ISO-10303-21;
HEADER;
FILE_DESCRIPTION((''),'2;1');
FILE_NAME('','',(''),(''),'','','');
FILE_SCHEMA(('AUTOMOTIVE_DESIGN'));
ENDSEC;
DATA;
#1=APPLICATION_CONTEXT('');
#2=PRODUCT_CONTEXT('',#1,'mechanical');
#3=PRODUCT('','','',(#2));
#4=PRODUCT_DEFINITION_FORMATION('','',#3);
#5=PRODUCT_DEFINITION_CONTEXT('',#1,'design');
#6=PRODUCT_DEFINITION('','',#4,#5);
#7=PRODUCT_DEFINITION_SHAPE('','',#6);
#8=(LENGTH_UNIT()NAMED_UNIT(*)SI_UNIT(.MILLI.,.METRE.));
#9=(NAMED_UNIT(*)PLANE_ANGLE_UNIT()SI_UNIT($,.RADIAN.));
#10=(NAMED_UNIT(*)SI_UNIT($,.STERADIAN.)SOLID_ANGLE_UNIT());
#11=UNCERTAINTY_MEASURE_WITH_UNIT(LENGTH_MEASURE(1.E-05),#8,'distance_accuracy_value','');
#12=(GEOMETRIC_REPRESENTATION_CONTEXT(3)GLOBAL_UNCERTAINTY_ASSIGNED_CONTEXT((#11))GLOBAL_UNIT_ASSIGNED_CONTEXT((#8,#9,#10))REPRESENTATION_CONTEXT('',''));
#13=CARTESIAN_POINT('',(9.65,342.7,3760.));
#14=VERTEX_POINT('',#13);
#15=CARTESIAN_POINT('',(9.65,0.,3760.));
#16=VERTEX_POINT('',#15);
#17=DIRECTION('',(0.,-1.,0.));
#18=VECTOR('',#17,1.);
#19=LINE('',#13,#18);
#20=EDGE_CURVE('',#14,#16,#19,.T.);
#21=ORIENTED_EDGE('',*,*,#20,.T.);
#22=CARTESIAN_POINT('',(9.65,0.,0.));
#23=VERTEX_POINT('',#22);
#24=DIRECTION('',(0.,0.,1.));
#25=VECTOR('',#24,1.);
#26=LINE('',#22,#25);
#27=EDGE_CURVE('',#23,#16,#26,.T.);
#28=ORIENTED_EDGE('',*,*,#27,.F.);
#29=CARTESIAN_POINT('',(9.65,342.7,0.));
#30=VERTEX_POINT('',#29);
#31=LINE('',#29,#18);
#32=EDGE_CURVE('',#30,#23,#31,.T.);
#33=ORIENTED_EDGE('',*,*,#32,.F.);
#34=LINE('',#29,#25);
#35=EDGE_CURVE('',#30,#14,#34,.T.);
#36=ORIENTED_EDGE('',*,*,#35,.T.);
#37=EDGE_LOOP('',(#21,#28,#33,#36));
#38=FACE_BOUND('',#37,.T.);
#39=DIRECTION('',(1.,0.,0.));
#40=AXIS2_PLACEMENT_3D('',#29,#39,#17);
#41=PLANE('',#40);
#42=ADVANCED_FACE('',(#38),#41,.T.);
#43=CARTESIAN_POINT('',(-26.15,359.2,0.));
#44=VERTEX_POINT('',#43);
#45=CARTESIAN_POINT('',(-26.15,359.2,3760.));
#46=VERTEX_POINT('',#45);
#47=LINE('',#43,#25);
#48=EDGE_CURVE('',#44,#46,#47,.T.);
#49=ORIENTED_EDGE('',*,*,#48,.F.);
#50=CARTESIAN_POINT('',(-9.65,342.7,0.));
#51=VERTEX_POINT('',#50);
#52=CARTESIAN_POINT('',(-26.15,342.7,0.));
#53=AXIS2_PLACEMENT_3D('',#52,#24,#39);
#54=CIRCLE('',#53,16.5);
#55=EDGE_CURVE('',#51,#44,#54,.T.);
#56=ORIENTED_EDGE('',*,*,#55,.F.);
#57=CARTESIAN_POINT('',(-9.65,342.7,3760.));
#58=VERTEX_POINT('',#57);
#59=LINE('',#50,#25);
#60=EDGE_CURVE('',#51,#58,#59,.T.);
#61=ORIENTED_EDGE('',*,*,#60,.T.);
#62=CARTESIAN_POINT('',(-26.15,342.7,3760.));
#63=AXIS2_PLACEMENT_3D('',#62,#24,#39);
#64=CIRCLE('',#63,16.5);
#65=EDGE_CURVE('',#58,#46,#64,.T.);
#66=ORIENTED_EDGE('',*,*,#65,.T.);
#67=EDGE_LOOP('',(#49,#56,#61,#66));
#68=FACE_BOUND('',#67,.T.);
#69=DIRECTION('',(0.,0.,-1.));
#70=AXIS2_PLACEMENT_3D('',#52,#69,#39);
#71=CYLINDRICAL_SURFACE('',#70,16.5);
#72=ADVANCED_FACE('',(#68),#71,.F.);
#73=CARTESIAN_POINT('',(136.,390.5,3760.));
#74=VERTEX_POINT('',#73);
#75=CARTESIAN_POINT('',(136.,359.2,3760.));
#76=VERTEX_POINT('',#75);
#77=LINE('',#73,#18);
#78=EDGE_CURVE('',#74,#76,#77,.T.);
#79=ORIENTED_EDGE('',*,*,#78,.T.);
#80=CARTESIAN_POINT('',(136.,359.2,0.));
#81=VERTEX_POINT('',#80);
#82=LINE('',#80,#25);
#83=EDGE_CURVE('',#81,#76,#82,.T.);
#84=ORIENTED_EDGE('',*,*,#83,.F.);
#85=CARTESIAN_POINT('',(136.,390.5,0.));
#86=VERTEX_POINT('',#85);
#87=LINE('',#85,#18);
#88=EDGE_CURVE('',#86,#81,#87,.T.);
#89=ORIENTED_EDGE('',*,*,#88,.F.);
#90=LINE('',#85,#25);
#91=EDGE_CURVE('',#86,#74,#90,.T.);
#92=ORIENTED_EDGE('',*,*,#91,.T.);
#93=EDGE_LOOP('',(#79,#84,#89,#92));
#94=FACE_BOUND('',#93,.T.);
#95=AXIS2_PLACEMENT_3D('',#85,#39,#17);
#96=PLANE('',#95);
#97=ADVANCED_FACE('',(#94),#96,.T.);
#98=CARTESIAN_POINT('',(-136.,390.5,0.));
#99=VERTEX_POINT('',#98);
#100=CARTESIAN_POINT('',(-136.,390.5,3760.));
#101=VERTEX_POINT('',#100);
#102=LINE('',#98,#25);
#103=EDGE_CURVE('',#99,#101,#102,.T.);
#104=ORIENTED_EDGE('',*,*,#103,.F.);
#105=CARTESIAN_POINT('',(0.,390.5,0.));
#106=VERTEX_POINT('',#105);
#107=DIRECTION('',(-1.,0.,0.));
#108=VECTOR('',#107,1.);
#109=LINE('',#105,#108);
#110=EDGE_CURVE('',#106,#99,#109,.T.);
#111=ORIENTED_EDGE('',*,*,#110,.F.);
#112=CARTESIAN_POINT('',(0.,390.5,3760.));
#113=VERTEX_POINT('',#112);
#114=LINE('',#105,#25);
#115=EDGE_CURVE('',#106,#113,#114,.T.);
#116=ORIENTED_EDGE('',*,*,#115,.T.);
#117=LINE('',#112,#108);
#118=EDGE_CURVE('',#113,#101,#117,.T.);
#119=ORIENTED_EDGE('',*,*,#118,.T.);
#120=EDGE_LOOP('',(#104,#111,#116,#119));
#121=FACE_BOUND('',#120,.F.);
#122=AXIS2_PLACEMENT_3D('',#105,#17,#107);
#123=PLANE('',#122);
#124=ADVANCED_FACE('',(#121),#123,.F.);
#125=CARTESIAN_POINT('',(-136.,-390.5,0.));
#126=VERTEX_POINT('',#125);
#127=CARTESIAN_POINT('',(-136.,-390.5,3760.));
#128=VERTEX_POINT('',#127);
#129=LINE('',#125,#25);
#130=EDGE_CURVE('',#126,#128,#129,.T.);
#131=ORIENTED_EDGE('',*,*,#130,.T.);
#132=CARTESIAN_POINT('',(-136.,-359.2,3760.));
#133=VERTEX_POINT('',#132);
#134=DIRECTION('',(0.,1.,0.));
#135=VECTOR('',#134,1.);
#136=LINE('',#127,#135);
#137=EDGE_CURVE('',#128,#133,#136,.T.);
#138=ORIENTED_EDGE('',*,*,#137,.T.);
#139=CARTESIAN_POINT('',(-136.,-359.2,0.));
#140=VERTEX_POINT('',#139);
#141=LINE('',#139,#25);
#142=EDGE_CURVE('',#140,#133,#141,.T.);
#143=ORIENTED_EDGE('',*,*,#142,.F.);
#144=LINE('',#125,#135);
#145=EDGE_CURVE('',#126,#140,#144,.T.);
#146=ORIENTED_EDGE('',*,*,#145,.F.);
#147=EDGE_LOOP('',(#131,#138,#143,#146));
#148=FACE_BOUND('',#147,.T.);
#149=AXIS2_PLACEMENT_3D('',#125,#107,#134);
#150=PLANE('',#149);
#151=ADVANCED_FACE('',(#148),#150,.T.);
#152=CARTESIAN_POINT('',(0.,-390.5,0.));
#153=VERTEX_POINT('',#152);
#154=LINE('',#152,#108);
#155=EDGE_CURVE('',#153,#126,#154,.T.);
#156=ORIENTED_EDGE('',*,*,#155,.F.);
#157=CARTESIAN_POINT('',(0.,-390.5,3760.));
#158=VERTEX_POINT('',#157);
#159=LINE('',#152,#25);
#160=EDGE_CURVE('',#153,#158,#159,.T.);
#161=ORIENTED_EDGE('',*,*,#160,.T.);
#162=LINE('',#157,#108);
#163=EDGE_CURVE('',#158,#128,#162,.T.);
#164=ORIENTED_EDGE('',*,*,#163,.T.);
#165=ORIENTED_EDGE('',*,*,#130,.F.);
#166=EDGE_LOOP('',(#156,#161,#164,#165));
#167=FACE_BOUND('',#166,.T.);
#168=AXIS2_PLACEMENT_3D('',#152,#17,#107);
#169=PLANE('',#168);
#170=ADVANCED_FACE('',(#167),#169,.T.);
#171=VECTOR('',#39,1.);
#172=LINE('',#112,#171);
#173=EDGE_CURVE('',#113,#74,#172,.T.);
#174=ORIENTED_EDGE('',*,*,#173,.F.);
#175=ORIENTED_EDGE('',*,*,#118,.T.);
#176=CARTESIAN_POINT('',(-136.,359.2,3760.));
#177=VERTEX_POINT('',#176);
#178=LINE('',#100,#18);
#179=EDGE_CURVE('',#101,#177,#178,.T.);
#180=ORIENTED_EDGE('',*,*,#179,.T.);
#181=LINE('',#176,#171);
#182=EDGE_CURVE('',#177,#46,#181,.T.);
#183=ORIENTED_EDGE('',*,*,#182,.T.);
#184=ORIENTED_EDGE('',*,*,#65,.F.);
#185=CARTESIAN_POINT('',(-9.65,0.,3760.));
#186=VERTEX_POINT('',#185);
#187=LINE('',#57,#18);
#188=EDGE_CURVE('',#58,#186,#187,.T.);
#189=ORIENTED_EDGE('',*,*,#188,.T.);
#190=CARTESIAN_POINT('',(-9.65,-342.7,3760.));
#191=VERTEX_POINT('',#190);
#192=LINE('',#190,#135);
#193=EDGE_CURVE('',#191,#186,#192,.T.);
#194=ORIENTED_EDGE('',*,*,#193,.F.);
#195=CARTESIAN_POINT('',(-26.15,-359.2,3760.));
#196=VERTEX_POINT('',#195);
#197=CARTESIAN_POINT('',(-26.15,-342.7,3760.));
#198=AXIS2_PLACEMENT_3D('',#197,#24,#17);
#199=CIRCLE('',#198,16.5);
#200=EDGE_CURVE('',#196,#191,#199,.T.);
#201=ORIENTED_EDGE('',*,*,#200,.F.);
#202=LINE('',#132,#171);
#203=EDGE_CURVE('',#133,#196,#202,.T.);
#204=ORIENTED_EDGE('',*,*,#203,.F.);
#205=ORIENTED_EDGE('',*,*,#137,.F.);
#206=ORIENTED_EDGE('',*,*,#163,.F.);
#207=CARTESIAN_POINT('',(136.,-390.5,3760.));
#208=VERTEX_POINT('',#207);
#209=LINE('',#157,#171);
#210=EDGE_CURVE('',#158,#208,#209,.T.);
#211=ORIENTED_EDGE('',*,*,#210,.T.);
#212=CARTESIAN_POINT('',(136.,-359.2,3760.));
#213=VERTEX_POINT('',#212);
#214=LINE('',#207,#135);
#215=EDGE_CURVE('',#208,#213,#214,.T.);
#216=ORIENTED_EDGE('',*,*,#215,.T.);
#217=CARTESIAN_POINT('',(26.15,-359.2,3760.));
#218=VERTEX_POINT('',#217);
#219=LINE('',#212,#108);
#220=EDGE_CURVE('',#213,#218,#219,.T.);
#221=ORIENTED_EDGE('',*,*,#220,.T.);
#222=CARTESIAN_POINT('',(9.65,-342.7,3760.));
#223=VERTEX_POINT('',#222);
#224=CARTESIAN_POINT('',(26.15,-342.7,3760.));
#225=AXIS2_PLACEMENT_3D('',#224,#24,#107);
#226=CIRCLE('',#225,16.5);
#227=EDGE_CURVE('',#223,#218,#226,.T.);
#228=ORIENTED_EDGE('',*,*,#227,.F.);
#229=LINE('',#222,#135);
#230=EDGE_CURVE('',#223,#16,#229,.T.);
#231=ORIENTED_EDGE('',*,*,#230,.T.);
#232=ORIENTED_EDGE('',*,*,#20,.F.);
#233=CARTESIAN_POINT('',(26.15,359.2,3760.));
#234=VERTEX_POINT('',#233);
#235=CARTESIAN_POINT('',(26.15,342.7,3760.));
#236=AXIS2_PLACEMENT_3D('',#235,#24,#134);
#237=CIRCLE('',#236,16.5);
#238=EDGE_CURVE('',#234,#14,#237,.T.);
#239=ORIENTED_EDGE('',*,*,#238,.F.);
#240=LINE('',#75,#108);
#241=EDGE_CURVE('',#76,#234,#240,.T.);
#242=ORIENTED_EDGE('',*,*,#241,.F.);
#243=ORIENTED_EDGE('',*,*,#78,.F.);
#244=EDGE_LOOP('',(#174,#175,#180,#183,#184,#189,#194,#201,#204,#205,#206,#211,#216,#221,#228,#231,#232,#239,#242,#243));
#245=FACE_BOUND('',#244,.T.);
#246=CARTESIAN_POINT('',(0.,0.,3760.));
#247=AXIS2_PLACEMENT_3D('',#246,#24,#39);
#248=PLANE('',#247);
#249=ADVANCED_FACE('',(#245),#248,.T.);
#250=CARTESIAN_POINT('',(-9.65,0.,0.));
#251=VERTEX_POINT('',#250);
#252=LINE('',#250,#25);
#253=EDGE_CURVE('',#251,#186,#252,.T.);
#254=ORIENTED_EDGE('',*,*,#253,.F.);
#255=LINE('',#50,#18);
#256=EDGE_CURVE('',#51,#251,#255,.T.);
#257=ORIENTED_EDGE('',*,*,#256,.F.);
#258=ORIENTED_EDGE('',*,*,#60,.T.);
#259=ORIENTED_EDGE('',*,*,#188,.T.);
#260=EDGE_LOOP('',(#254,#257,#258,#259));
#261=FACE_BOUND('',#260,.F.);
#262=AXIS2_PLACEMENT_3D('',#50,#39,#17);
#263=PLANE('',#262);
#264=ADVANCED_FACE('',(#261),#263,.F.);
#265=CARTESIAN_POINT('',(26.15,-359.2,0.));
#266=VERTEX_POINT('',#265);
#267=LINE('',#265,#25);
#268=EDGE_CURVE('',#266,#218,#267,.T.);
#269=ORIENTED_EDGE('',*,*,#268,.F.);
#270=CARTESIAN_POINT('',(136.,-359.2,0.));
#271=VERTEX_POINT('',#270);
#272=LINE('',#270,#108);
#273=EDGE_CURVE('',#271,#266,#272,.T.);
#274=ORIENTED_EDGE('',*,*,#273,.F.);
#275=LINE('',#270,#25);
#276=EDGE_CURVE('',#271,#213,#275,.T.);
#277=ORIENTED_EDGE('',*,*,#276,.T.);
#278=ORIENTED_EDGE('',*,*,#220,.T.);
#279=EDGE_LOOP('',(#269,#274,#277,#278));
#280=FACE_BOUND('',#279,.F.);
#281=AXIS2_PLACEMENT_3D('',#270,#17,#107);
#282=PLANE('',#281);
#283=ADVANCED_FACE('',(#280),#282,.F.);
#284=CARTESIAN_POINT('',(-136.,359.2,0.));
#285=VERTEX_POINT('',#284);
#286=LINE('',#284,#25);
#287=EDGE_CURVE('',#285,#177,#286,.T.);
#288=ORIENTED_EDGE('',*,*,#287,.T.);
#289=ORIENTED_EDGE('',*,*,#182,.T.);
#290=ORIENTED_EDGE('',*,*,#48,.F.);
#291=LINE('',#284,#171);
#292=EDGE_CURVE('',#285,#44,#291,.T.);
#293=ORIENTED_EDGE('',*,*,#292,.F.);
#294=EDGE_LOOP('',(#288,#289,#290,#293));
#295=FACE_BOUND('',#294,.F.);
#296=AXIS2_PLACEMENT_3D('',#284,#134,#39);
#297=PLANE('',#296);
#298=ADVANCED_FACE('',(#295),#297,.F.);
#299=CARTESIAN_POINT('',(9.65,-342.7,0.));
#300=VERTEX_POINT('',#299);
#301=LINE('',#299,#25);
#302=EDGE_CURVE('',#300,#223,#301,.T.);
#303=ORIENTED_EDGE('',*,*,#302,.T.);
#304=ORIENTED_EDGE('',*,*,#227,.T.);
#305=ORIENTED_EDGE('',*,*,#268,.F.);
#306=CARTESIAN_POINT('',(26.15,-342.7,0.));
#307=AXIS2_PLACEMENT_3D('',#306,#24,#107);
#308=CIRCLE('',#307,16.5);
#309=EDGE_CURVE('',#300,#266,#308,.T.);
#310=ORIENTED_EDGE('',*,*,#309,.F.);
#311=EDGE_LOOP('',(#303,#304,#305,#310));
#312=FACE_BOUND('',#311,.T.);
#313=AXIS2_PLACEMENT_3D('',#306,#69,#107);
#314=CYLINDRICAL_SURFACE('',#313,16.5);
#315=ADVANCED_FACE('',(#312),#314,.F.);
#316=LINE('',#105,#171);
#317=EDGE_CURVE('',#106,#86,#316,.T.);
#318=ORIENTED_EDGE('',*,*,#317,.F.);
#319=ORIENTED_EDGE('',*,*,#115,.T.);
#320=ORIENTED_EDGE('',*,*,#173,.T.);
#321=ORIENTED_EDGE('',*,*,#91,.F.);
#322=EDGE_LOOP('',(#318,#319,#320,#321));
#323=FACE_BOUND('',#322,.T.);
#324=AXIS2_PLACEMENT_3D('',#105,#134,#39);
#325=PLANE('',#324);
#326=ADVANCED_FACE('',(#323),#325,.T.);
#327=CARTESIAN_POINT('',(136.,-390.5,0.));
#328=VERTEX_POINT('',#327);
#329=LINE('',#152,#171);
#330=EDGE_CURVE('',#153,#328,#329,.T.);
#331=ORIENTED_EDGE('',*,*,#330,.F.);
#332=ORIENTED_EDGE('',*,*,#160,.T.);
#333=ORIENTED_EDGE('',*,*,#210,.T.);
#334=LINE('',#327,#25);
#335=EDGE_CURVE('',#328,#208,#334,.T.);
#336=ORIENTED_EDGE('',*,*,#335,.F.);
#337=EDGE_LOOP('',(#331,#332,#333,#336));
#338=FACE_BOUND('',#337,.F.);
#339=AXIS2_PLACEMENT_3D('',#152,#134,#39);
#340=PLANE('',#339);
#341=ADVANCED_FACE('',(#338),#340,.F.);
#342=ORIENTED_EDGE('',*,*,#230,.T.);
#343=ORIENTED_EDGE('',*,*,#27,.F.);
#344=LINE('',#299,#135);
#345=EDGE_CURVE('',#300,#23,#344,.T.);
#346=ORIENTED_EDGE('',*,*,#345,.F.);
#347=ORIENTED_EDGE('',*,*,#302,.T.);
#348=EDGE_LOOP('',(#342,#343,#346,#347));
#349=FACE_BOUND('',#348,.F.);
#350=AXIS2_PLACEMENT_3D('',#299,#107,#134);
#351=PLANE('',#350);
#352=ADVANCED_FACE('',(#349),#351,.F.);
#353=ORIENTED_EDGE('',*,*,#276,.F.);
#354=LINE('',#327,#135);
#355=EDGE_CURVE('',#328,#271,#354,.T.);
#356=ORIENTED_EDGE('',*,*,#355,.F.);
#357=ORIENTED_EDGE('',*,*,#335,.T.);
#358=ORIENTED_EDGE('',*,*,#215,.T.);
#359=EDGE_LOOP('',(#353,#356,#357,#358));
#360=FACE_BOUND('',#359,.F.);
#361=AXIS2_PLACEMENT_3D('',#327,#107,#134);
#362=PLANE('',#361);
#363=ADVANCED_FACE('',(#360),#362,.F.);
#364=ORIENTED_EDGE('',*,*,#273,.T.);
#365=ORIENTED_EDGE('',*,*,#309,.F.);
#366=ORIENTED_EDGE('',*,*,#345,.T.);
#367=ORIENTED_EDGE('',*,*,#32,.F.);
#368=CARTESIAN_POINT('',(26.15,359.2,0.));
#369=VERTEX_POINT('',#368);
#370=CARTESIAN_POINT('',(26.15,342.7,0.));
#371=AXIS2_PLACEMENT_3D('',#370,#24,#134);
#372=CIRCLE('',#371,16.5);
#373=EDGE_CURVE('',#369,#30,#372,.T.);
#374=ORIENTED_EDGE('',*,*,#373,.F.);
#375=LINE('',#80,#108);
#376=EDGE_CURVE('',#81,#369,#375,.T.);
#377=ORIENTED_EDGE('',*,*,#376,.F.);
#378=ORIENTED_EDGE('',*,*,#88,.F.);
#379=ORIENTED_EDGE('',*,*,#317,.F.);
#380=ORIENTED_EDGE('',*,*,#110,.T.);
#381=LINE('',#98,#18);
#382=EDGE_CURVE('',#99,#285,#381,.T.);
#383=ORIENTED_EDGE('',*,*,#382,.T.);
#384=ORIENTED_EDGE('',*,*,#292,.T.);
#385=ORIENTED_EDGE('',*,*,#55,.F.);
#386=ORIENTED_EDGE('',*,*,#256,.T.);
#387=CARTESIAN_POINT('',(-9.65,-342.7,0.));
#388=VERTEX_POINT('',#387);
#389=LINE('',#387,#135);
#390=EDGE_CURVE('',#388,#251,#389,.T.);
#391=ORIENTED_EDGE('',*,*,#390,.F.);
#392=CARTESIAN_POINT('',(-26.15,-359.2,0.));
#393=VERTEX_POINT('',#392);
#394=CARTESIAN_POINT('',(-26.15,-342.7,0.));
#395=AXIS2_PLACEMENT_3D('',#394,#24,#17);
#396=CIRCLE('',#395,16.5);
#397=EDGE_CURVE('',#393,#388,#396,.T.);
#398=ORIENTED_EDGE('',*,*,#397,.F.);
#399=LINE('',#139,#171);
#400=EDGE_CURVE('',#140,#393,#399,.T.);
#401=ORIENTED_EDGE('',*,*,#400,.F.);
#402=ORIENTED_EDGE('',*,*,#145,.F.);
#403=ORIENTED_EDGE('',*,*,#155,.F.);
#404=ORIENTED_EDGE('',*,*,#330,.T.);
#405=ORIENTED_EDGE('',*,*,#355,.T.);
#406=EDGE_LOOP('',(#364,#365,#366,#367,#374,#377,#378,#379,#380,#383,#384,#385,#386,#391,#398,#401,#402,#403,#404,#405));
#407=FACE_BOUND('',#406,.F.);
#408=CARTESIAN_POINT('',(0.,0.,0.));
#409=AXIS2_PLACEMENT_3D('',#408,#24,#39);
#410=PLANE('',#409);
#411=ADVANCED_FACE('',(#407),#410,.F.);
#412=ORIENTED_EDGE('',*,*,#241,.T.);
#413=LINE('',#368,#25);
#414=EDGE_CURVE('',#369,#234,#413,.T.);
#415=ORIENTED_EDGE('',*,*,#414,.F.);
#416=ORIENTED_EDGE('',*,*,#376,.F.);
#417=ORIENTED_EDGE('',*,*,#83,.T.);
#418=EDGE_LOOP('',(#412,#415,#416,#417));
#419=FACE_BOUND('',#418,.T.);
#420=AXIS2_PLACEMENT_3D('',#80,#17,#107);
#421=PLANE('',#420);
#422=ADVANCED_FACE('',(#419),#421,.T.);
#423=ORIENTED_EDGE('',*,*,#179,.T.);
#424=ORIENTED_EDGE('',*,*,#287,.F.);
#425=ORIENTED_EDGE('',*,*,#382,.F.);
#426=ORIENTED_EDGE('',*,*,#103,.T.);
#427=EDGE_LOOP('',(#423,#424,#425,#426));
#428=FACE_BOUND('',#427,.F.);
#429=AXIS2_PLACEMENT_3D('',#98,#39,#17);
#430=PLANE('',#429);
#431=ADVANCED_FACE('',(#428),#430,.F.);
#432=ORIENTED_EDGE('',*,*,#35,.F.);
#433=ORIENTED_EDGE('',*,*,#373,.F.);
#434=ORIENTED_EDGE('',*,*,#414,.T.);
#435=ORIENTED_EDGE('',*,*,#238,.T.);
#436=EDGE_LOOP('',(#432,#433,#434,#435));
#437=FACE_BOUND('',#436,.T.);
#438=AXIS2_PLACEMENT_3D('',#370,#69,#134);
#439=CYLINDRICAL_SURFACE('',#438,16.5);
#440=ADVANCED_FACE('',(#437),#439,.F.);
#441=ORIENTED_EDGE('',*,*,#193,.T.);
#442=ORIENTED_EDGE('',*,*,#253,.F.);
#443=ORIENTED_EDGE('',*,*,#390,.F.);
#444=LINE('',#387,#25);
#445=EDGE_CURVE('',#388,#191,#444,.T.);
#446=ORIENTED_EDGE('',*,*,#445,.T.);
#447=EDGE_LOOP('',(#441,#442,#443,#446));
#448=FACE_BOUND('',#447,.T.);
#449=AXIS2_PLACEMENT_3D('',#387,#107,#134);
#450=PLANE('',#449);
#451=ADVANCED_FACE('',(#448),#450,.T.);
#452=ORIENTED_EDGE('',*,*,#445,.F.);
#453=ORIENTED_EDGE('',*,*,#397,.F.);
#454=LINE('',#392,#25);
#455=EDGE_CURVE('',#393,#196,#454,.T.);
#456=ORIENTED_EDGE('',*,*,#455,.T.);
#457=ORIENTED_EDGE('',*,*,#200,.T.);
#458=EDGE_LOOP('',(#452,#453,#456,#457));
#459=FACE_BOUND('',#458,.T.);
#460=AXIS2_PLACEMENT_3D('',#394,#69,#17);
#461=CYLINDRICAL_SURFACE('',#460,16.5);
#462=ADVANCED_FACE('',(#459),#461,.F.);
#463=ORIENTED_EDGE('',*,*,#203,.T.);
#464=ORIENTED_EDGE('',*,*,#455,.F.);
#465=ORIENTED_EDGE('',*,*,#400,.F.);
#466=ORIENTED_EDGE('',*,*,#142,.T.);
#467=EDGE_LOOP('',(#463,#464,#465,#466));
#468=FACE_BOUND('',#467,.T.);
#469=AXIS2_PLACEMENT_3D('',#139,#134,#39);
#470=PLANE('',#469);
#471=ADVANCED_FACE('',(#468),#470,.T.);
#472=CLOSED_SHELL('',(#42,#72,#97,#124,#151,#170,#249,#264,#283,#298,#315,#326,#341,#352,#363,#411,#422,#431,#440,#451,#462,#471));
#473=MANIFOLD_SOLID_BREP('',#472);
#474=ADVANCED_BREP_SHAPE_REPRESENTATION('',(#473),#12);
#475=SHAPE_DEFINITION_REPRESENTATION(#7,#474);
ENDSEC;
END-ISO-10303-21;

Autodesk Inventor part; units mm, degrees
ref_plane "YZ Plane" through (0, 0, 0) normal (1, 0, 0) x (0, 1, 0)
ref_plane "Start plane" through (0, 0, 0) normal (0, 0, 1) x (1, 0, 0)
ref_plane "End plane" through (0, 0, 3760) normal (0, 0, 1) x (1, 0, 0)
sketch "Sketch" plane through (0, 0, 0) normal (0, 0, 1) x (1, 0, 0)
  line L0 (-136, -390.5) -> (-136, -359.2)
  line L1 (-136, -359.2) -> (-26.15, -359.2)
  line L2 (-9.65, -342.7) -> (-9.65, 0)
  line L3 (-9.65, 0) -> (0, 0) construction
  line L4 (0, 0) -> (0, -390.5) construction
  line L5 (0, -390.5) -> (-136, -390.5)
  line L6 (-60, 0) -> (80, 0) construction
  line L7 (0, -60) -> (0, 80) construction
  line L8 (136, -390.5) -> (136, -359.2)
  line L9 (136, -359.2) -> (26.15, -359.2)
  line L10 (9.65, -342.7) -> (9.65, 0)
  line L11 (9.65, 0) -> (0, 0) construction
  line L12 (0, -390.5) -> (136, -390.5)
  line L13 (-136, 390.5) -> (-136, 359.2)
  line L14 (-136, 359.2) -> (-26.15, 359.2)
  line L15 (-9.65, 342.7) -> (-9.65, 0)
  line L16 (0, 390.5) -> (-136, 390.5)
  line L17 (136, 390.5) -> (136, 359.2)
  line L18 (136, 359.2) -> (26.15, 359.2)
  line L19 (0, 390.5) -> (136, 390.5)
  line L20 (9.65, 342.7) -> (9.65, 0)
  arc A0 (-9.65, 342.7) -> (-26.15, 359.2) centre (-26.15, 342.7) ccw
  arc A1 (26.15, 359.2) -> (9.65, 342.7) centre (26.15, 342.7) ccw
  arc A2 (9.65, -342.7) -> (26.15, -359.2) centre (26.15, -342.7) ccw
  arc A3 (-26.15, -359.2) -> (-9.65, -342.7) centre (-26.15, -342.7) ccw
  line L21 (0, 108) -> (0, -88) construction
  line L22 (-88, 0) -> (108, 0) construction
  point P0 (-9.65, -359.2)
  point P1 (9.65, -359.2)
  point P2 (-9.65, 359.2)
  point P3 (9.65, 359.2)
  dimension "d1" = 390.5
  dimension "d2" = 31.3
  dimension "d3" = 136
  dimension "d4" = 9.65
  dimension "d10" = 16.5
extrude "Body" add sketch "Sketch" along normal up to surface (3760 mm away) from surface at 0
sketch "Sketch4" plane through (0, 0, 0) normal (0, 0, 1) x (1, 0, 0)
  line L0 (0, 0) -> (10, 0)
ref_plane "Work Plane3" through (0, 0, 0) normal (0, -1, 0) x (1, 0, 0)
sketch "Sketch5" plane through (0, 0, 0) normal (0, -1, 0) x (1, 0, 0)
  line L0 (-2, 0) -> (12, 0) projected
  line L1 (-2, 3760) -> (12, 3760) projected
  dimension "d14" = 3760
equation "\"d1\" = 0.5 * G_H"
equation "\"d2\" = G_T1"
equation "\"d3\" = 0.5 * G_W"
equation "\"d4\" = 0.5 * G_T"
equation "\"d10\" = G_IR"
equation "\"d5\" = G_L"
equation "\"G_W\" = 272"
equation "\"G_H\" = 781"
equation "\"G_T\" = 19.3"
equation "\"G_T1\" = 31.3"
equation "\"G_IR\" = 16.5"
equation "\"G_L\" = d14"
equation "\"G_OFFSET_START\" = 0"
equation "\"G_OFFSET_END\" = 0"
properties part number "AS 3679-1990 - 760 UB - 244 - 3760" material "Steel, Mild"
